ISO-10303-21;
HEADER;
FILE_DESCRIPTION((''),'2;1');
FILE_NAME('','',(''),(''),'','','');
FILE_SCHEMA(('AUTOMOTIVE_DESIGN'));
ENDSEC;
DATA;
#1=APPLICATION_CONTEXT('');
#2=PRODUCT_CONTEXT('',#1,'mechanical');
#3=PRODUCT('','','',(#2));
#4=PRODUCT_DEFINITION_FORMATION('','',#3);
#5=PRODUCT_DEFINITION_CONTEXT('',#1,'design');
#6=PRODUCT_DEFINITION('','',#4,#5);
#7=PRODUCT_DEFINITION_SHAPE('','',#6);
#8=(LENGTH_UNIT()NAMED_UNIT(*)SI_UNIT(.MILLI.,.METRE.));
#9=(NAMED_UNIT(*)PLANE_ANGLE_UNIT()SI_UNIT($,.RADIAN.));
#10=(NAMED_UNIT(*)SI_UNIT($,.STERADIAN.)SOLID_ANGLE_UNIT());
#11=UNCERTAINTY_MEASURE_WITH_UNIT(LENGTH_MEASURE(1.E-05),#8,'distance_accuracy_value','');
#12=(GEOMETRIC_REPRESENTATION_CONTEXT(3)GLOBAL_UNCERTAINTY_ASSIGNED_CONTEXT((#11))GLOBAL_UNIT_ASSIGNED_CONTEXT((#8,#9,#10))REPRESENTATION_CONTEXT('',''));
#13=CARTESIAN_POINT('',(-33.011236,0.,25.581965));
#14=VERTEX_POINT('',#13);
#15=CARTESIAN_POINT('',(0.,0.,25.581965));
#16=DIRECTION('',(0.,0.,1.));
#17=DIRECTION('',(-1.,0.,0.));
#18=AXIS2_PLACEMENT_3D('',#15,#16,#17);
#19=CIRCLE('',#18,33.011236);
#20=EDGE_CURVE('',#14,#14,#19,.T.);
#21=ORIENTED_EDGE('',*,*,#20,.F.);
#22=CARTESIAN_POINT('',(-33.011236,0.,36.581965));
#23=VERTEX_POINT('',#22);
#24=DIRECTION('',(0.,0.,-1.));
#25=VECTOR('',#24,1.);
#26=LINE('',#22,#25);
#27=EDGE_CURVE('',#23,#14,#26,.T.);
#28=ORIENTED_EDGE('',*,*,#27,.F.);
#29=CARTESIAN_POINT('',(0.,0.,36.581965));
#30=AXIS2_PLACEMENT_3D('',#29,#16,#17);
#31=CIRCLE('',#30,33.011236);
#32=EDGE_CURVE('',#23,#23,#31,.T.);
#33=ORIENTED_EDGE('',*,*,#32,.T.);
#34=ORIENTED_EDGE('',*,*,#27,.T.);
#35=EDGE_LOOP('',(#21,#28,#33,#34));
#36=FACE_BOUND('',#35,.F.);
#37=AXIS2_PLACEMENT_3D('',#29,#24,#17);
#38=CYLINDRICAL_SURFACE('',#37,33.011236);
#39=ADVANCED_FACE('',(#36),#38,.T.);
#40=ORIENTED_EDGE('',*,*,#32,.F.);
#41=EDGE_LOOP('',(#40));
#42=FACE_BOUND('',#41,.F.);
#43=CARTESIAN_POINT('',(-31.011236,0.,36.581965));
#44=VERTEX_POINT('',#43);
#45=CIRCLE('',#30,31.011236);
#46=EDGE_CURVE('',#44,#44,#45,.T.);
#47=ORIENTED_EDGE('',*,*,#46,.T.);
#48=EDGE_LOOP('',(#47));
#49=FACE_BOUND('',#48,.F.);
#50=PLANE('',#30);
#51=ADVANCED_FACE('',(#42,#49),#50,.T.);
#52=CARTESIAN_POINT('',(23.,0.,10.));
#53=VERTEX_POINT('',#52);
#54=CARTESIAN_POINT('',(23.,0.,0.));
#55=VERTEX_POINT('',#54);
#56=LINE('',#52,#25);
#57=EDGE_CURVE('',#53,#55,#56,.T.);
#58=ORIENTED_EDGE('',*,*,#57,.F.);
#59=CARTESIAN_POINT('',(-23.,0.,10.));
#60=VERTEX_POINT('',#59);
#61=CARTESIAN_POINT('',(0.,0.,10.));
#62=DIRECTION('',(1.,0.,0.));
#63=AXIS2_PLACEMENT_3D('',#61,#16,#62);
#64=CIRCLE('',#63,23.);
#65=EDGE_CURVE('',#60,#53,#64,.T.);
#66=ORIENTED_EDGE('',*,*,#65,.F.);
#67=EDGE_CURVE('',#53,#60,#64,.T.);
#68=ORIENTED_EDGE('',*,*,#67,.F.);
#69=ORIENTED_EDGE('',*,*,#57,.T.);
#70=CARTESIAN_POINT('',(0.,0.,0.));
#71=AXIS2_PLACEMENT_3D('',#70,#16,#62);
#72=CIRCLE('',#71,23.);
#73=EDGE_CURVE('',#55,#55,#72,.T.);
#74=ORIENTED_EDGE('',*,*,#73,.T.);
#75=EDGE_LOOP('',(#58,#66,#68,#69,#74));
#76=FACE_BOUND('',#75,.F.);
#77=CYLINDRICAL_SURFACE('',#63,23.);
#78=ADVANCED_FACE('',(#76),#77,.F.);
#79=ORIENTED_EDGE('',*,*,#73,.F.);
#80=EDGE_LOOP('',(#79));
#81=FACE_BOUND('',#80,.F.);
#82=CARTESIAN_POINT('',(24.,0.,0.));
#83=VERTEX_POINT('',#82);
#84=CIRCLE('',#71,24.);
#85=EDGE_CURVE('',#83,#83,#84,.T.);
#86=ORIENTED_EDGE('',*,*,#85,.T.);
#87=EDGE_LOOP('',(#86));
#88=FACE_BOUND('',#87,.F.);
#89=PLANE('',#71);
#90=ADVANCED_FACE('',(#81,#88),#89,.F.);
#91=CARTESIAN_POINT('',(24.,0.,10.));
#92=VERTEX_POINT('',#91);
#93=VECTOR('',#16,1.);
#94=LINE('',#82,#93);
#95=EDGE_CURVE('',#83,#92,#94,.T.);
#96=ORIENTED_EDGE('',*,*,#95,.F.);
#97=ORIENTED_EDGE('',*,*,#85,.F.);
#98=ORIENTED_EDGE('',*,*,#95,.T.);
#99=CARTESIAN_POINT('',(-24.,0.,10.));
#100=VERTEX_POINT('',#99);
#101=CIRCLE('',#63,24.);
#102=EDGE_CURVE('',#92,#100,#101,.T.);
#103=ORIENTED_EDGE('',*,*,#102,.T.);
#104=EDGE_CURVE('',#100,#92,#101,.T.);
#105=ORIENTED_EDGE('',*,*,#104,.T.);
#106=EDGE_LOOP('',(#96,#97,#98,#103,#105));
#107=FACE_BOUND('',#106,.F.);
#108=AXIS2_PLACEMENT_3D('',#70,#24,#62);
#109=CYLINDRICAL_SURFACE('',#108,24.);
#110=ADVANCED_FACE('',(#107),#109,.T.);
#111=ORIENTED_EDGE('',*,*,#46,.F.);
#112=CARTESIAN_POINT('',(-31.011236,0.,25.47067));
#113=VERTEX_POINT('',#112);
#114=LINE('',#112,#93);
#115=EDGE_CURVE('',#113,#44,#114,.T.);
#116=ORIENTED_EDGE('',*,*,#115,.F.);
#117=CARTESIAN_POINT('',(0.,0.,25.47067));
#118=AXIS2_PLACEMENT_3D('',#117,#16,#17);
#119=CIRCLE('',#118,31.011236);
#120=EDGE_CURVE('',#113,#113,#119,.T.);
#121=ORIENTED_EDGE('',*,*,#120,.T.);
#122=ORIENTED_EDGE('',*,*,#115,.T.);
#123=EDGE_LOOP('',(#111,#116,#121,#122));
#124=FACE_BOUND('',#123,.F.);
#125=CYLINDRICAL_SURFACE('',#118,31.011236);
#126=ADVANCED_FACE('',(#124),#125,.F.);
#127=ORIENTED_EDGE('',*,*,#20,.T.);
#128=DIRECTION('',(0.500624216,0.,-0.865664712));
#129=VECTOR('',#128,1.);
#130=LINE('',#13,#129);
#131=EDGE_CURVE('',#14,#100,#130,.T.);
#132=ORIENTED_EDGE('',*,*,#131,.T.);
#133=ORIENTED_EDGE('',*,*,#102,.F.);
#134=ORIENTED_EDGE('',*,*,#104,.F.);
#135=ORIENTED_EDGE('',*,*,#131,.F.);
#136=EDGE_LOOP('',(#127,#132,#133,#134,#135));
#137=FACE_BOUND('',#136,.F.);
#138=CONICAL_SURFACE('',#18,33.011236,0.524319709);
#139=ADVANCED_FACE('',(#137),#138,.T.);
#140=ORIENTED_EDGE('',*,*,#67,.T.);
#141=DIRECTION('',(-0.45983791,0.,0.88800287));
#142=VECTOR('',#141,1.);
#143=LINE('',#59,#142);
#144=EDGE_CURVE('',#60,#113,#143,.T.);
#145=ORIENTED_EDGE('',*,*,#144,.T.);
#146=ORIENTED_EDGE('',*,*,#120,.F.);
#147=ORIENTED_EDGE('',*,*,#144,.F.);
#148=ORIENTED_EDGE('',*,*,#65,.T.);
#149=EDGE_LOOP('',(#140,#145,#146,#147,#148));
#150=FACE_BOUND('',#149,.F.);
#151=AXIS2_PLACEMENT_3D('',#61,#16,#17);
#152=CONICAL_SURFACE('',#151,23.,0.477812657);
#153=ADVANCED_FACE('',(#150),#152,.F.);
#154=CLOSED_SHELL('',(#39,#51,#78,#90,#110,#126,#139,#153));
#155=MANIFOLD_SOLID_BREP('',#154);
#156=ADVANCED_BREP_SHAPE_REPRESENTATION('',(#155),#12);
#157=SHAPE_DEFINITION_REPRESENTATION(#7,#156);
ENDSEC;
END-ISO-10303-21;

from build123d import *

# Parameters (mm, degrees)
F0_R     = 24
F1_DEPTH = 10
F2_R     = 23
F3_DEPTH = 10.001


with BuildPart() as f1:
    # F0 (on Top) → F1 (new body)
    with BuildSketch(Plane.XY):
        Circle(F0_R)
    extrude(amount=F1_DEPTH)

    # F2 (on face) → F3 (cut, through all)
    with BuildSketch(Plane.XY.offset(10)):
        Circle(F2_R)
    extrude(amount=-F3_DEPTH, mode=Mode.SUBTRACT)

    # F4 (on Front) → F5 (revolve)
    with BuildSketch(Plane.XZ):
        Polygon((-23, 10), (-31.011236, 25.47067), (-31.011236, 36.581965), (-33.011236, 36.581965), (-33.011236, 25.581965), (-24, 10), align=None)
    revolve(axis=Axis((0, 0, 10), (0, 0, 1)))


solid = f1.part
